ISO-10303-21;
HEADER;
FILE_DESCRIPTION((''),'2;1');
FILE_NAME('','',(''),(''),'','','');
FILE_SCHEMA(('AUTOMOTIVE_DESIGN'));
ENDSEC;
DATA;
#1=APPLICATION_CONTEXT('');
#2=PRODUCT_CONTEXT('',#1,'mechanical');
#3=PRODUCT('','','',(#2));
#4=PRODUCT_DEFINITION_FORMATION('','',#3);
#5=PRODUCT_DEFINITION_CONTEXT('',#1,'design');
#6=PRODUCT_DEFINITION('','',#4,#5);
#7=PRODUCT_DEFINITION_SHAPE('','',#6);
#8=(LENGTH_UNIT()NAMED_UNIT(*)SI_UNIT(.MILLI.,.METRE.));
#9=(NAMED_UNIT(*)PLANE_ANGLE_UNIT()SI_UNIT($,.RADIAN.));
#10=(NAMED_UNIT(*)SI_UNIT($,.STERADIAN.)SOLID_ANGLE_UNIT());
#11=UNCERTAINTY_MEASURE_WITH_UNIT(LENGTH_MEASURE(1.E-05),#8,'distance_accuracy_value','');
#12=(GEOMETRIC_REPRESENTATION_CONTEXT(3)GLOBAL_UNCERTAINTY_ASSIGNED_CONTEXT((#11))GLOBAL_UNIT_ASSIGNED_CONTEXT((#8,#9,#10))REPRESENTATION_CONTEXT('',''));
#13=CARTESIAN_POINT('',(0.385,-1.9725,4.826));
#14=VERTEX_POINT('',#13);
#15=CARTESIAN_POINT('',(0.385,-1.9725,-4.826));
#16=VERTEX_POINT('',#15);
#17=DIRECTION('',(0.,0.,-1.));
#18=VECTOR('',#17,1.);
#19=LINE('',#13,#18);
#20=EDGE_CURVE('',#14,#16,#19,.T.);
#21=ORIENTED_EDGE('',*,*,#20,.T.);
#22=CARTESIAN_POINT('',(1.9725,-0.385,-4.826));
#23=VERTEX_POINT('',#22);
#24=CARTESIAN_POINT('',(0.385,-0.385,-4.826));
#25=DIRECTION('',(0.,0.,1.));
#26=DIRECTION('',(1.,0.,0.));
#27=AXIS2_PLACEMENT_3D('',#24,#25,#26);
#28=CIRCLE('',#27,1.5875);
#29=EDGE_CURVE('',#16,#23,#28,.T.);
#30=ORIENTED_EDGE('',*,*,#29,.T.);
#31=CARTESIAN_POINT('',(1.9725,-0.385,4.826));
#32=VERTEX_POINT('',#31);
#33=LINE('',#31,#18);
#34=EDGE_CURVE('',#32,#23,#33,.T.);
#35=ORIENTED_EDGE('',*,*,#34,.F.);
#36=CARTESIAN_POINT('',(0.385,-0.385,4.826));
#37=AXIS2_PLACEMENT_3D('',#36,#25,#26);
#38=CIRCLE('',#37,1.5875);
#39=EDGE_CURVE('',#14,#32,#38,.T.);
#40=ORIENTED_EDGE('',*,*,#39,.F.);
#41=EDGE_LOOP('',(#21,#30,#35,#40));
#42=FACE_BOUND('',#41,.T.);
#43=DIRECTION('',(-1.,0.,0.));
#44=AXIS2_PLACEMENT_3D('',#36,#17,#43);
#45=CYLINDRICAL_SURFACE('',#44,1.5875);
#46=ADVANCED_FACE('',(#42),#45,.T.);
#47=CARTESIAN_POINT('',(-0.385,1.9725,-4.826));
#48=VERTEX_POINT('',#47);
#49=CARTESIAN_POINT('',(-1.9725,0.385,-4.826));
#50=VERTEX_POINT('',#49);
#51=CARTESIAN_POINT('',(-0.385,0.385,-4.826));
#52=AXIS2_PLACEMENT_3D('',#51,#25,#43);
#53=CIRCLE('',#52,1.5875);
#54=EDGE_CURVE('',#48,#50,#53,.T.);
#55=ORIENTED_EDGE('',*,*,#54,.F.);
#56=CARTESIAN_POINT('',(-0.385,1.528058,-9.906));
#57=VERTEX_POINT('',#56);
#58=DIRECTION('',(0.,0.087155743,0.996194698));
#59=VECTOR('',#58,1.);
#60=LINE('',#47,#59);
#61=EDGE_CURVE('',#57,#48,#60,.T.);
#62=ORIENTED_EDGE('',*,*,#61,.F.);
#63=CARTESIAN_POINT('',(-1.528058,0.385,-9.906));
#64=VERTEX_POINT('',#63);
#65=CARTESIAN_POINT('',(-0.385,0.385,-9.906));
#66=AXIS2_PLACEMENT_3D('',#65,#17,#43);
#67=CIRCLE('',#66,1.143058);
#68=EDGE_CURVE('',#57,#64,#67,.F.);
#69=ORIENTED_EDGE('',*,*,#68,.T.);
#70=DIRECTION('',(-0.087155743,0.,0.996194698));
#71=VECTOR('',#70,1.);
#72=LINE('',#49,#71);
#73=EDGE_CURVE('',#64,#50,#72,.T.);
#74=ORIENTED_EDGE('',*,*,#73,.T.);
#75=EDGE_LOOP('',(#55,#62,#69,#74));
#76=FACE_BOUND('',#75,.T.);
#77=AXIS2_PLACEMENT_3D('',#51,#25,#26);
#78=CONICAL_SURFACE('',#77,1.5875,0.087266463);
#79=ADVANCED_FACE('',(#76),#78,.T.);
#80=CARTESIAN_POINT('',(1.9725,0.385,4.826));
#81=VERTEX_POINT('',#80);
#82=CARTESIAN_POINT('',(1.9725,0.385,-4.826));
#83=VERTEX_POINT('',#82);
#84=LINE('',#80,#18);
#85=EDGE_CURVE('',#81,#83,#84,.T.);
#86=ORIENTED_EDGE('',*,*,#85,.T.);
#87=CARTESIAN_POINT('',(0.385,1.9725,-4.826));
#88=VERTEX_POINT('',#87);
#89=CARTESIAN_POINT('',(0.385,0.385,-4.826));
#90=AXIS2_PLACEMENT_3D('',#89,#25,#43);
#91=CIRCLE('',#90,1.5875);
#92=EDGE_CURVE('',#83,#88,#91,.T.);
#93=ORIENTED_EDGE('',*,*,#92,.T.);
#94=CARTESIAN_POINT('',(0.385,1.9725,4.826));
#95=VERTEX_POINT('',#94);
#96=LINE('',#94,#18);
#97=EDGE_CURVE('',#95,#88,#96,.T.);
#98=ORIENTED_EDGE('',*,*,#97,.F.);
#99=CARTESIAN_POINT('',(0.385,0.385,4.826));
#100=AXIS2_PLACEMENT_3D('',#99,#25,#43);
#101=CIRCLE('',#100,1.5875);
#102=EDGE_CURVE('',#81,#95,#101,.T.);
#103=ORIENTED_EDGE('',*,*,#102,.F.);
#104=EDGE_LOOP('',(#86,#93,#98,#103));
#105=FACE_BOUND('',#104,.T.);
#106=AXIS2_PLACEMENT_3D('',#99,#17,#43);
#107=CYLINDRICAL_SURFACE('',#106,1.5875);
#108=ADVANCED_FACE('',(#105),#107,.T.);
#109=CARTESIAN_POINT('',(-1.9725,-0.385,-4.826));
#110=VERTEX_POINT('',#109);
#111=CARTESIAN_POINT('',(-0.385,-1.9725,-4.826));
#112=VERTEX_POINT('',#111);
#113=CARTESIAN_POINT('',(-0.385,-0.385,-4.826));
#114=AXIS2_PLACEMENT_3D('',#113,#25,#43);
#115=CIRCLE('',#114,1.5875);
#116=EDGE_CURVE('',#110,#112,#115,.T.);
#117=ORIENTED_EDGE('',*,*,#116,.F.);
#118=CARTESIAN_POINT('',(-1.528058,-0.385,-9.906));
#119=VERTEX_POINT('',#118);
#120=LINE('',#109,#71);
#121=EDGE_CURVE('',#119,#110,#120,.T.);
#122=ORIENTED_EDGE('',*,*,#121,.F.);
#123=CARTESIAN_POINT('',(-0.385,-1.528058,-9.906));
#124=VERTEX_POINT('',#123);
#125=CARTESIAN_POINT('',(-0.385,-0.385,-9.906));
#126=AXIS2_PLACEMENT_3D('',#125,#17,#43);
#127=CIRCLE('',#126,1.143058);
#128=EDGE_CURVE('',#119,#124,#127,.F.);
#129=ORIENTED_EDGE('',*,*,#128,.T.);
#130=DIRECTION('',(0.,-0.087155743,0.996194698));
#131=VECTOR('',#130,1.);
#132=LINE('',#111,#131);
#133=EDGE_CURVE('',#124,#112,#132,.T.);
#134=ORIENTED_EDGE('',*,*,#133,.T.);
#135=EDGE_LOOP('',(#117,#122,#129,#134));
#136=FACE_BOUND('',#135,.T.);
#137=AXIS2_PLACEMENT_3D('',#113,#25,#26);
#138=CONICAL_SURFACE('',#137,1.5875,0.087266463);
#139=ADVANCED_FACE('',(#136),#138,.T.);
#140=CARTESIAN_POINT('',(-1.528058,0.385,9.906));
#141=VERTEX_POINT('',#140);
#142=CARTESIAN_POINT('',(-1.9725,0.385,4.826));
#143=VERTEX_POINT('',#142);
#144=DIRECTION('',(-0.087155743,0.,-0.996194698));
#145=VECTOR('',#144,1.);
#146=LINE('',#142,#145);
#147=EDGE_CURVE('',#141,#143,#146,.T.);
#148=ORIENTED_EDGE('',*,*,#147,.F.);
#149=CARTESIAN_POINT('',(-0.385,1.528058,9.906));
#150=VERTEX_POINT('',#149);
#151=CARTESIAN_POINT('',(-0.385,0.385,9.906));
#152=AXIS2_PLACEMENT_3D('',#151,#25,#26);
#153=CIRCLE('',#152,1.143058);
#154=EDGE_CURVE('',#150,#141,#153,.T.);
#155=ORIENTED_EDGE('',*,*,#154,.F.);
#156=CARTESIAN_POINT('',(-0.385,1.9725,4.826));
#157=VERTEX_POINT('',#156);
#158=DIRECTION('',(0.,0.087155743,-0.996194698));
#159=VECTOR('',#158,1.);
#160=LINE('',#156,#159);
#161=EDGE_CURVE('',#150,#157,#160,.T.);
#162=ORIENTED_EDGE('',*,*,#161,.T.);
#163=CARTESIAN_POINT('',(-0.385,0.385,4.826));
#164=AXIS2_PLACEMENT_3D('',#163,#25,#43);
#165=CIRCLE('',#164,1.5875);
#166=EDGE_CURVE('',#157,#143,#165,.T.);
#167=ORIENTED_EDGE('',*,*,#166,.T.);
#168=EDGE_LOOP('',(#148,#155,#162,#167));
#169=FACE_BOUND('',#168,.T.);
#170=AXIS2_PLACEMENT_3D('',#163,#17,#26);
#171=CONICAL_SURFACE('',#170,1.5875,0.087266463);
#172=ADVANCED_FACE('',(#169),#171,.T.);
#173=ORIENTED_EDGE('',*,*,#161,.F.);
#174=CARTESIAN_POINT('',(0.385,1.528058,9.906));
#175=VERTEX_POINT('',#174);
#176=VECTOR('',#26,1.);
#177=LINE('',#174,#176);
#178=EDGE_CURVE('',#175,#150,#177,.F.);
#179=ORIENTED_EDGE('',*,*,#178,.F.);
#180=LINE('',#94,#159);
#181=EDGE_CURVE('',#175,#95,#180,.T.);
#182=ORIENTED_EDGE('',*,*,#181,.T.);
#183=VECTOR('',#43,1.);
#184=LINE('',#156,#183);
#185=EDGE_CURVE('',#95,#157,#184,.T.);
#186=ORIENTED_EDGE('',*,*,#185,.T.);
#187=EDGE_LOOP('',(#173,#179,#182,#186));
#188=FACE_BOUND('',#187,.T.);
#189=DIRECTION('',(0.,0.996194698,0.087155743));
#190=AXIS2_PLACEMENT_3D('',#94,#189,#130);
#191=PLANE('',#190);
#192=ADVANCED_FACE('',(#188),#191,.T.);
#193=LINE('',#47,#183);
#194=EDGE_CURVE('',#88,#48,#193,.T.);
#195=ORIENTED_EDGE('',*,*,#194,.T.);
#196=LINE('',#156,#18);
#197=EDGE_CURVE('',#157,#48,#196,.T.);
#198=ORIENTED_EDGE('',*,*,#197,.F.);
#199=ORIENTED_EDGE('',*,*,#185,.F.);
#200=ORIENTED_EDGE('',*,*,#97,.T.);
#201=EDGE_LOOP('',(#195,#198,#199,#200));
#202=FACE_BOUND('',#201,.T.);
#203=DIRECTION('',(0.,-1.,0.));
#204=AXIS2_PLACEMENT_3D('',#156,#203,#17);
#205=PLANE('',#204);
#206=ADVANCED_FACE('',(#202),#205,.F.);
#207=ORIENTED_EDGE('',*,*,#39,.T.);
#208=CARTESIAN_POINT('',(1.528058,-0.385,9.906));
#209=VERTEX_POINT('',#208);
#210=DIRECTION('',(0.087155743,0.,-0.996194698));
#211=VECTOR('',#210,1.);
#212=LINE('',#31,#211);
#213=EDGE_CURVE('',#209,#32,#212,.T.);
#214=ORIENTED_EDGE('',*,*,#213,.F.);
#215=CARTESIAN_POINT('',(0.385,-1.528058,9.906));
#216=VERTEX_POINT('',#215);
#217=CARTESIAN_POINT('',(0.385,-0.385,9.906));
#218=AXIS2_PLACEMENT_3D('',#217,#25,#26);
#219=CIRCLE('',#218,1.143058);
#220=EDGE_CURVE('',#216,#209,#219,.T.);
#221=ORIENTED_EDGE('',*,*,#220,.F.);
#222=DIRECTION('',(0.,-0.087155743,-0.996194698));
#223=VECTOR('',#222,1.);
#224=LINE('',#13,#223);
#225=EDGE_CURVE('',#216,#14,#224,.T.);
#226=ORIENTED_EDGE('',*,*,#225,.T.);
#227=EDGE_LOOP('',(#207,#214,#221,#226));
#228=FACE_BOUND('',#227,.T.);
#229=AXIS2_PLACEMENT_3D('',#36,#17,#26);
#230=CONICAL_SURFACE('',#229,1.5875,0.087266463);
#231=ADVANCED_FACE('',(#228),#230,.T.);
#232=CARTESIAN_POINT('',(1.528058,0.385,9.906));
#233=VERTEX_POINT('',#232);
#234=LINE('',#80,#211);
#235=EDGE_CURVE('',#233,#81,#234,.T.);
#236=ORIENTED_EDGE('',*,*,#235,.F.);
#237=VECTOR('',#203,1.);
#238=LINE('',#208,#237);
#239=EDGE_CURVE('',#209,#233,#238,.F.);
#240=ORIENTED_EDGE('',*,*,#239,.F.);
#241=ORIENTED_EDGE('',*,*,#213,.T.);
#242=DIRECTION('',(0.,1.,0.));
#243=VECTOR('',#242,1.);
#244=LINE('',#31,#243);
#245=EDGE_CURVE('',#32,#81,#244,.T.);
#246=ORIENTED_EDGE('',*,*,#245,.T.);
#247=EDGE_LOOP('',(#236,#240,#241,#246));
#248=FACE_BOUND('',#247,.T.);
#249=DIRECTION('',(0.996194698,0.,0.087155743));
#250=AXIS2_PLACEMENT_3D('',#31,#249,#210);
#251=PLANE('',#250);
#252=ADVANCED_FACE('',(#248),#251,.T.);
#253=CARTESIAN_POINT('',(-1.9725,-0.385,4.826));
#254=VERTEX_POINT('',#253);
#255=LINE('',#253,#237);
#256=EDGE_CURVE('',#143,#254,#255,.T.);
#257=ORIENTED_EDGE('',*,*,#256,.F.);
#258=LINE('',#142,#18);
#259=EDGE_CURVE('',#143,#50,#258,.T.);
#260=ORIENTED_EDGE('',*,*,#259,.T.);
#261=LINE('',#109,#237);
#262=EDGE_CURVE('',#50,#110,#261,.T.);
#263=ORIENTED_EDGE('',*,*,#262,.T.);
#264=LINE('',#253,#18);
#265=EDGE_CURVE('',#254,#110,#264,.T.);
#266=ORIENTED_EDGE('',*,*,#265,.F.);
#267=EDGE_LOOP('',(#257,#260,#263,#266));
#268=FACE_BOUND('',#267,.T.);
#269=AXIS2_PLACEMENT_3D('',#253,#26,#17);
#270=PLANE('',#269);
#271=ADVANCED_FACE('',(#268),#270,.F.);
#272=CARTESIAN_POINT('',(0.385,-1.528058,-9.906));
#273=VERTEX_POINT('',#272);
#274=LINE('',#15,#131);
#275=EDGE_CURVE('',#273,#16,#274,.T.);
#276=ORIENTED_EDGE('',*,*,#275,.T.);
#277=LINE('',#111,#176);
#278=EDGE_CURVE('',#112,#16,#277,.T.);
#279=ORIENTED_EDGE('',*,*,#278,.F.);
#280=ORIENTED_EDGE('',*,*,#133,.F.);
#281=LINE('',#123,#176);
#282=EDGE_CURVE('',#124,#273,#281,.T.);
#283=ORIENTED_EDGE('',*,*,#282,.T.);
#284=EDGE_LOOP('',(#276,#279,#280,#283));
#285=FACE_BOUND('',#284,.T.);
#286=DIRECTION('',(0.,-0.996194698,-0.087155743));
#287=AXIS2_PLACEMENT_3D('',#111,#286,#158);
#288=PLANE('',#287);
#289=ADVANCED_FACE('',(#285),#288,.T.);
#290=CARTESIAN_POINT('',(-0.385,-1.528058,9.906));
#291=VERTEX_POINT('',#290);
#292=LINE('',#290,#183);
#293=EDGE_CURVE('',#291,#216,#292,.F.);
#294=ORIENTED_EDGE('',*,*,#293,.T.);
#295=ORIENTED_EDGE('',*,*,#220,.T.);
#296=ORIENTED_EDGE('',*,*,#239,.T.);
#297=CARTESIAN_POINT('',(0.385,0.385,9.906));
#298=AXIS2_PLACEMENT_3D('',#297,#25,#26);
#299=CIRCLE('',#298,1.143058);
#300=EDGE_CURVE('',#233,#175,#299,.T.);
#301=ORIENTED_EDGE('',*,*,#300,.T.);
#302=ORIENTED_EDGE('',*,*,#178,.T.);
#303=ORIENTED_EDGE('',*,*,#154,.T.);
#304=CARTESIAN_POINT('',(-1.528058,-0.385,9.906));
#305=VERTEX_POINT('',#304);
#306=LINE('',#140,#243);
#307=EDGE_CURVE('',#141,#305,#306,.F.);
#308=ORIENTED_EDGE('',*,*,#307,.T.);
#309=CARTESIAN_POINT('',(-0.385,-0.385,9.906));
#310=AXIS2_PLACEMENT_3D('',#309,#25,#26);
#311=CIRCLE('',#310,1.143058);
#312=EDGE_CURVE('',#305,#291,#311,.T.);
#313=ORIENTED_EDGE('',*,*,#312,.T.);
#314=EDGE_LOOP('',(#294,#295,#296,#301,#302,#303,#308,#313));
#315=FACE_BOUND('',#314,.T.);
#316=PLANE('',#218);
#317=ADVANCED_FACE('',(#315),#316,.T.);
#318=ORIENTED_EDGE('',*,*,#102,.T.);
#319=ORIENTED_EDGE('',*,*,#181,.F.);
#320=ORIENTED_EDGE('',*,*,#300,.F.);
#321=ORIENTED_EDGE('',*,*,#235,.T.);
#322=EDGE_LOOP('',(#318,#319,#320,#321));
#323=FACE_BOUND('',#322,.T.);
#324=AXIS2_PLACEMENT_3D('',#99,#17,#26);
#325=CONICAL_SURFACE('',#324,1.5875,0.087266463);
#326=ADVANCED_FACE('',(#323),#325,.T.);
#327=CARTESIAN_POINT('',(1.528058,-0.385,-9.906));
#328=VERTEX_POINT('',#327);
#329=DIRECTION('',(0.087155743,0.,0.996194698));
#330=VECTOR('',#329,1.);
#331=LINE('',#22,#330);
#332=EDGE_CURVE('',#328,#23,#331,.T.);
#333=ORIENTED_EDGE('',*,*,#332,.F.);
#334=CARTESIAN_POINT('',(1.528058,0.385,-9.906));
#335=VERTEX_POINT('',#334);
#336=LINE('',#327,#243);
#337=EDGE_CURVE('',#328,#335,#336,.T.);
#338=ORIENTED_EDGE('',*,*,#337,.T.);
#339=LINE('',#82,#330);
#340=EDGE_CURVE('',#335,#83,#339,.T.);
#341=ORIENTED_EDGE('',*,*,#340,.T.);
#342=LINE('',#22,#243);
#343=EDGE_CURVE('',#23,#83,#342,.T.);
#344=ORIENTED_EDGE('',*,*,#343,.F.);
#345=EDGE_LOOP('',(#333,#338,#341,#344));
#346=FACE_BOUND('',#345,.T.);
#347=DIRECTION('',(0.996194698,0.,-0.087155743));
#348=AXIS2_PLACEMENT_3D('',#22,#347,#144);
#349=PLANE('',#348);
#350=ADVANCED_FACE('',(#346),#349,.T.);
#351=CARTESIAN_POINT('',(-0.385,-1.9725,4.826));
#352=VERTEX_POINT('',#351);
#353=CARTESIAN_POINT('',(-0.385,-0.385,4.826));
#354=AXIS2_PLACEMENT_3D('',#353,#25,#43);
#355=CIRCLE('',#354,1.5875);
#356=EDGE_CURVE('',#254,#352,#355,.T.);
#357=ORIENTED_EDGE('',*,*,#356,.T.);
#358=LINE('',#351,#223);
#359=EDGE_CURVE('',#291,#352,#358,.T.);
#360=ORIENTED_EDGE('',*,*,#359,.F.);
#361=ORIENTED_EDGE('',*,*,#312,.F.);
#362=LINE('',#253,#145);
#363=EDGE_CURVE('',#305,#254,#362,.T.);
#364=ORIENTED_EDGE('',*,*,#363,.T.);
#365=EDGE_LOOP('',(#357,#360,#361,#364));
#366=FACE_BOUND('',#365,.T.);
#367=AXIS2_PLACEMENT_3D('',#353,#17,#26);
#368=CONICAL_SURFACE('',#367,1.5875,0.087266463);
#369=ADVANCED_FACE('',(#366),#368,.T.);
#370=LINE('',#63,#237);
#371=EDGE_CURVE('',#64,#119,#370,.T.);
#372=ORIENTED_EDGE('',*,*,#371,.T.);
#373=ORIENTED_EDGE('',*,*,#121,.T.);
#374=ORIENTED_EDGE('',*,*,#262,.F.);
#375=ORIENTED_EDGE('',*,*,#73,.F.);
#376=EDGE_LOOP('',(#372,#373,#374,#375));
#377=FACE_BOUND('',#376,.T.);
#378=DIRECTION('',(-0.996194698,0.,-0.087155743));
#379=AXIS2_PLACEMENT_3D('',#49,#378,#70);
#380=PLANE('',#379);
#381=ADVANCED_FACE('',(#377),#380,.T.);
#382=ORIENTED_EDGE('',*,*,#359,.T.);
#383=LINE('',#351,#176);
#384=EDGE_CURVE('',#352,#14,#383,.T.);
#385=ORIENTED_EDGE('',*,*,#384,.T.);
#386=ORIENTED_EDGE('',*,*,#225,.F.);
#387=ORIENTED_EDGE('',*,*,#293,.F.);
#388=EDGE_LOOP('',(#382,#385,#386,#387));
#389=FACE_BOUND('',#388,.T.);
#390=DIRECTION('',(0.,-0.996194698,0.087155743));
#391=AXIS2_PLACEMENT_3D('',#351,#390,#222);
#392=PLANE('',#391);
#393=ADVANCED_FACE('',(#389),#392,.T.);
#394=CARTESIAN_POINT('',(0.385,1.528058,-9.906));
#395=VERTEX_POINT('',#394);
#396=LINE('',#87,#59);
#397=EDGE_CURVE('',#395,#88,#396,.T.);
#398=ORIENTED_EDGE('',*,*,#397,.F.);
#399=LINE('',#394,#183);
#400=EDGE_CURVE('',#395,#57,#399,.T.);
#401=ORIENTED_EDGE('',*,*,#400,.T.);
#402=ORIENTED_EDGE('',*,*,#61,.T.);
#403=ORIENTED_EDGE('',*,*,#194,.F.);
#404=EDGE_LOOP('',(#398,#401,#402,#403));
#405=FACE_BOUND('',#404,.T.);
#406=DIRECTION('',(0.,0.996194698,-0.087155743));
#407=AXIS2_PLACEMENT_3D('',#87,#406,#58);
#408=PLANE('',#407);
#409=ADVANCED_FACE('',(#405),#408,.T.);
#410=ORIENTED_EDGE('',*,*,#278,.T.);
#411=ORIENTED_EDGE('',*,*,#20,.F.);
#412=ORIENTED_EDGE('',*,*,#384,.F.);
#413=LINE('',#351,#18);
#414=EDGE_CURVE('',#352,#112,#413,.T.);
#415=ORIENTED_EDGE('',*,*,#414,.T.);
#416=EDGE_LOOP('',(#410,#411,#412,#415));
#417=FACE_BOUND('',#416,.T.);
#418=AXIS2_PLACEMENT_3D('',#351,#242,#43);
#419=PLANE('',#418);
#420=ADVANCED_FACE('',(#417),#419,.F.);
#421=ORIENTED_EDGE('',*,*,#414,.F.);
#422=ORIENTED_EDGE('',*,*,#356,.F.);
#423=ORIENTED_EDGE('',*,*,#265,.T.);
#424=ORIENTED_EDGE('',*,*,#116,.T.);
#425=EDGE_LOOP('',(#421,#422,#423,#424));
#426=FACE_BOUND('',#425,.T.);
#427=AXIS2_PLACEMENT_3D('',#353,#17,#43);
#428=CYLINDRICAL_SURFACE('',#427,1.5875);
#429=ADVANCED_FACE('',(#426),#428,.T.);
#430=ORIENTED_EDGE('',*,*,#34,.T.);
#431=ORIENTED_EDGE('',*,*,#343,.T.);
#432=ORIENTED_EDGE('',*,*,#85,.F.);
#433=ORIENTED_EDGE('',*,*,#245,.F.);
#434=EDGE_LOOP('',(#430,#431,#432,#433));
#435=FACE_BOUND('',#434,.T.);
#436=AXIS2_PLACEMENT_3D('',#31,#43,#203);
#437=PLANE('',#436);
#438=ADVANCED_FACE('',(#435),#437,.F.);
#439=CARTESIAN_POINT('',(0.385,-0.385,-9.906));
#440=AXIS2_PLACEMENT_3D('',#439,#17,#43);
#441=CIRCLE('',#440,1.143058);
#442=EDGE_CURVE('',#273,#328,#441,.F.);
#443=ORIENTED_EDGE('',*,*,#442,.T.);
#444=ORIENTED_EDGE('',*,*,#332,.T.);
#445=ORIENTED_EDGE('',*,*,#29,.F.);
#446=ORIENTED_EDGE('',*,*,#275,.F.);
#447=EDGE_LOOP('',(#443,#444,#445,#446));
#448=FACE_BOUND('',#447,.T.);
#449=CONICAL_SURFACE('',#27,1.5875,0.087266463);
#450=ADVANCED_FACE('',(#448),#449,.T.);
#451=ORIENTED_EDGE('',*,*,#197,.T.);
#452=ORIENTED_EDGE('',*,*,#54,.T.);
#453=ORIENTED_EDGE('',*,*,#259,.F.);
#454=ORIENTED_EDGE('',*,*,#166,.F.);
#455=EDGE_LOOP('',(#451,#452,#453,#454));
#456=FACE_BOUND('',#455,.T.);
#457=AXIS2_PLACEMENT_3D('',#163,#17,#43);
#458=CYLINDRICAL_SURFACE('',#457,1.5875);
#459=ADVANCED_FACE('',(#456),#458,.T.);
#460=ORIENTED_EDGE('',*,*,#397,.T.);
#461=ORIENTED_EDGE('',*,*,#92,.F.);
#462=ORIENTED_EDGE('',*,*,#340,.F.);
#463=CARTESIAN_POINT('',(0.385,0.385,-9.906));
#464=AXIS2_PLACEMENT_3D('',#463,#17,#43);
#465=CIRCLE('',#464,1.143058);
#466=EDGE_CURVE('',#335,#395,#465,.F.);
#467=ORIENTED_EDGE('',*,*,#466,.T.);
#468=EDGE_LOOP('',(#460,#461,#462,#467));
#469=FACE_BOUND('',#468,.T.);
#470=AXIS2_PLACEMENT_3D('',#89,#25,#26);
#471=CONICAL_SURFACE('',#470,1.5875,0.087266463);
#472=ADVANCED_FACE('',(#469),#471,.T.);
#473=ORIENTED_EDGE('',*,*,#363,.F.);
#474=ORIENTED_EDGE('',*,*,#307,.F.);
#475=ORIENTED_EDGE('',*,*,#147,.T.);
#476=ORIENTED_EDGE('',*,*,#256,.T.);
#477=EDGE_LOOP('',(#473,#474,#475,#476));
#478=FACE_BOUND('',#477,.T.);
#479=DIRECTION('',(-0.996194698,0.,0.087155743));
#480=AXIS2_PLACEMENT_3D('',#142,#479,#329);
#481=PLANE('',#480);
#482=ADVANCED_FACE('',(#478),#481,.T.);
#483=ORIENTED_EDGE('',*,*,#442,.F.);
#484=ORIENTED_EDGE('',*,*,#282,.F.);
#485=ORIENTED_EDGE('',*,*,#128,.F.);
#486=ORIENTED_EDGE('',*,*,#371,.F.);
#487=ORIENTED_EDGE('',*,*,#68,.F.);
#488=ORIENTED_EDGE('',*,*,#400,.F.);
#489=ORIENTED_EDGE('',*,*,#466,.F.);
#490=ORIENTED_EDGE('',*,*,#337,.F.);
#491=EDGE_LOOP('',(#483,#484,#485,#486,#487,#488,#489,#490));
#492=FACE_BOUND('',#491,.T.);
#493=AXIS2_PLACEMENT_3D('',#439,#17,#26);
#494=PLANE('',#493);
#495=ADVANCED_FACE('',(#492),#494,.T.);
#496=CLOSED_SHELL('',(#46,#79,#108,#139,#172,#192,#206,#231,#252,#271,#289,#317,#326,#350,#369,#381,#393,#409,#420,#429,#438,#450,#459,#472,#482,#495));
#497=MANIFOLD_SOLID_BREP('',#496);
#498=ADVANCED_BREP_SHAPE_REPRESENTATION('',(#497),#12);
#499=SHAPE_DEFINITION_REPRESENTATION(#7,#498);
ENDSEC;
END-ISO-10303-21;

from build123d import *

# Parameters (mm, degrees)
BOSS_EXTRUDE1_DEPTH = 4.826
BOSS_EXTRUDE2_DEPTH = 5.08
BOSS_EXTRUDE2_TAPER = 5


with BuildPart() as part:
    # Sketch1 → Boss-Extrude1 (new body)
    with BuildSketch(Plane.XY):
        with BuildLine():
            Line((-0.385, -1.9725), (0.385, -1.9725))
            ThreePointArc((0.385, -1.9725), (1.507532015, -1.507532015), (1.9725, -0.385))
            Line((1.9725, -0.385), (1.9725, 0.385))
            ThreePointArc((1.9725, 0.385), (1.507532015, 1.507532015), (0.385, 1.9725))
            Line((0.385, 1.9725), (-0.385, 1.9725))
            ThreePointArc((-0.385, 1.9725), (-1.507532015, 1.507532015), (-1.9725, 0.385))
            Line((-1.9725, 0.385), (-1.9725, -0.385))
            ThreePointArc((-1.9725, -0.385), (-1.507532015, -1.507532015), (-0.385, -1.9725))
        make_face()
    boss_extrude1 = extrude(amount=BOSS_EXTRUDE1_DEPTH)

    # Sketch2 → Boss-Extrude2 (add)
    with BuildSketch(Plane.XY.offset(4.826)):
        with BuildLine():
            Line((1.9725, -0.385), (1.9725, 0.385))
            ThreePointArc((1.9725, 0.385), (1.507532015, 1.507532015), (0.385, 1.9725))
            Line((0.385, 1.9725), (-0.385, 1.9725))
            ThreePointArc((-0.385, 1.9725), (-1.507532015, 1.507532015), (-1.9725, 0.385))
            Line((-1.9725, 0.385), (-1.9725, -0.385))
            ThreePointArc((-1.9725, -0.385), (-1.507532015, -1.507532015), (-0.385, -1.9725))
            Line((-0.385, -1.9725), (0.385, -1.9725))
            ThreePointArc((0.385, -1.9725), (1.507532015, -1.507532015), (1.9725, -0.385))
        make_face()
    boss_extrude2 = extrude(amount=BOSS_EXTRUDE2_DEPTH, taper=BOSS_EXTRUDE2_TAPER)

    # Mirror1: Boss-Extrude1, Boss-Extrude2 across plane
    add(boss_extrude1.mirror(Plane.XY))
    add(boss_extrude2.mirror(Plane.XY))


solid = part.part
